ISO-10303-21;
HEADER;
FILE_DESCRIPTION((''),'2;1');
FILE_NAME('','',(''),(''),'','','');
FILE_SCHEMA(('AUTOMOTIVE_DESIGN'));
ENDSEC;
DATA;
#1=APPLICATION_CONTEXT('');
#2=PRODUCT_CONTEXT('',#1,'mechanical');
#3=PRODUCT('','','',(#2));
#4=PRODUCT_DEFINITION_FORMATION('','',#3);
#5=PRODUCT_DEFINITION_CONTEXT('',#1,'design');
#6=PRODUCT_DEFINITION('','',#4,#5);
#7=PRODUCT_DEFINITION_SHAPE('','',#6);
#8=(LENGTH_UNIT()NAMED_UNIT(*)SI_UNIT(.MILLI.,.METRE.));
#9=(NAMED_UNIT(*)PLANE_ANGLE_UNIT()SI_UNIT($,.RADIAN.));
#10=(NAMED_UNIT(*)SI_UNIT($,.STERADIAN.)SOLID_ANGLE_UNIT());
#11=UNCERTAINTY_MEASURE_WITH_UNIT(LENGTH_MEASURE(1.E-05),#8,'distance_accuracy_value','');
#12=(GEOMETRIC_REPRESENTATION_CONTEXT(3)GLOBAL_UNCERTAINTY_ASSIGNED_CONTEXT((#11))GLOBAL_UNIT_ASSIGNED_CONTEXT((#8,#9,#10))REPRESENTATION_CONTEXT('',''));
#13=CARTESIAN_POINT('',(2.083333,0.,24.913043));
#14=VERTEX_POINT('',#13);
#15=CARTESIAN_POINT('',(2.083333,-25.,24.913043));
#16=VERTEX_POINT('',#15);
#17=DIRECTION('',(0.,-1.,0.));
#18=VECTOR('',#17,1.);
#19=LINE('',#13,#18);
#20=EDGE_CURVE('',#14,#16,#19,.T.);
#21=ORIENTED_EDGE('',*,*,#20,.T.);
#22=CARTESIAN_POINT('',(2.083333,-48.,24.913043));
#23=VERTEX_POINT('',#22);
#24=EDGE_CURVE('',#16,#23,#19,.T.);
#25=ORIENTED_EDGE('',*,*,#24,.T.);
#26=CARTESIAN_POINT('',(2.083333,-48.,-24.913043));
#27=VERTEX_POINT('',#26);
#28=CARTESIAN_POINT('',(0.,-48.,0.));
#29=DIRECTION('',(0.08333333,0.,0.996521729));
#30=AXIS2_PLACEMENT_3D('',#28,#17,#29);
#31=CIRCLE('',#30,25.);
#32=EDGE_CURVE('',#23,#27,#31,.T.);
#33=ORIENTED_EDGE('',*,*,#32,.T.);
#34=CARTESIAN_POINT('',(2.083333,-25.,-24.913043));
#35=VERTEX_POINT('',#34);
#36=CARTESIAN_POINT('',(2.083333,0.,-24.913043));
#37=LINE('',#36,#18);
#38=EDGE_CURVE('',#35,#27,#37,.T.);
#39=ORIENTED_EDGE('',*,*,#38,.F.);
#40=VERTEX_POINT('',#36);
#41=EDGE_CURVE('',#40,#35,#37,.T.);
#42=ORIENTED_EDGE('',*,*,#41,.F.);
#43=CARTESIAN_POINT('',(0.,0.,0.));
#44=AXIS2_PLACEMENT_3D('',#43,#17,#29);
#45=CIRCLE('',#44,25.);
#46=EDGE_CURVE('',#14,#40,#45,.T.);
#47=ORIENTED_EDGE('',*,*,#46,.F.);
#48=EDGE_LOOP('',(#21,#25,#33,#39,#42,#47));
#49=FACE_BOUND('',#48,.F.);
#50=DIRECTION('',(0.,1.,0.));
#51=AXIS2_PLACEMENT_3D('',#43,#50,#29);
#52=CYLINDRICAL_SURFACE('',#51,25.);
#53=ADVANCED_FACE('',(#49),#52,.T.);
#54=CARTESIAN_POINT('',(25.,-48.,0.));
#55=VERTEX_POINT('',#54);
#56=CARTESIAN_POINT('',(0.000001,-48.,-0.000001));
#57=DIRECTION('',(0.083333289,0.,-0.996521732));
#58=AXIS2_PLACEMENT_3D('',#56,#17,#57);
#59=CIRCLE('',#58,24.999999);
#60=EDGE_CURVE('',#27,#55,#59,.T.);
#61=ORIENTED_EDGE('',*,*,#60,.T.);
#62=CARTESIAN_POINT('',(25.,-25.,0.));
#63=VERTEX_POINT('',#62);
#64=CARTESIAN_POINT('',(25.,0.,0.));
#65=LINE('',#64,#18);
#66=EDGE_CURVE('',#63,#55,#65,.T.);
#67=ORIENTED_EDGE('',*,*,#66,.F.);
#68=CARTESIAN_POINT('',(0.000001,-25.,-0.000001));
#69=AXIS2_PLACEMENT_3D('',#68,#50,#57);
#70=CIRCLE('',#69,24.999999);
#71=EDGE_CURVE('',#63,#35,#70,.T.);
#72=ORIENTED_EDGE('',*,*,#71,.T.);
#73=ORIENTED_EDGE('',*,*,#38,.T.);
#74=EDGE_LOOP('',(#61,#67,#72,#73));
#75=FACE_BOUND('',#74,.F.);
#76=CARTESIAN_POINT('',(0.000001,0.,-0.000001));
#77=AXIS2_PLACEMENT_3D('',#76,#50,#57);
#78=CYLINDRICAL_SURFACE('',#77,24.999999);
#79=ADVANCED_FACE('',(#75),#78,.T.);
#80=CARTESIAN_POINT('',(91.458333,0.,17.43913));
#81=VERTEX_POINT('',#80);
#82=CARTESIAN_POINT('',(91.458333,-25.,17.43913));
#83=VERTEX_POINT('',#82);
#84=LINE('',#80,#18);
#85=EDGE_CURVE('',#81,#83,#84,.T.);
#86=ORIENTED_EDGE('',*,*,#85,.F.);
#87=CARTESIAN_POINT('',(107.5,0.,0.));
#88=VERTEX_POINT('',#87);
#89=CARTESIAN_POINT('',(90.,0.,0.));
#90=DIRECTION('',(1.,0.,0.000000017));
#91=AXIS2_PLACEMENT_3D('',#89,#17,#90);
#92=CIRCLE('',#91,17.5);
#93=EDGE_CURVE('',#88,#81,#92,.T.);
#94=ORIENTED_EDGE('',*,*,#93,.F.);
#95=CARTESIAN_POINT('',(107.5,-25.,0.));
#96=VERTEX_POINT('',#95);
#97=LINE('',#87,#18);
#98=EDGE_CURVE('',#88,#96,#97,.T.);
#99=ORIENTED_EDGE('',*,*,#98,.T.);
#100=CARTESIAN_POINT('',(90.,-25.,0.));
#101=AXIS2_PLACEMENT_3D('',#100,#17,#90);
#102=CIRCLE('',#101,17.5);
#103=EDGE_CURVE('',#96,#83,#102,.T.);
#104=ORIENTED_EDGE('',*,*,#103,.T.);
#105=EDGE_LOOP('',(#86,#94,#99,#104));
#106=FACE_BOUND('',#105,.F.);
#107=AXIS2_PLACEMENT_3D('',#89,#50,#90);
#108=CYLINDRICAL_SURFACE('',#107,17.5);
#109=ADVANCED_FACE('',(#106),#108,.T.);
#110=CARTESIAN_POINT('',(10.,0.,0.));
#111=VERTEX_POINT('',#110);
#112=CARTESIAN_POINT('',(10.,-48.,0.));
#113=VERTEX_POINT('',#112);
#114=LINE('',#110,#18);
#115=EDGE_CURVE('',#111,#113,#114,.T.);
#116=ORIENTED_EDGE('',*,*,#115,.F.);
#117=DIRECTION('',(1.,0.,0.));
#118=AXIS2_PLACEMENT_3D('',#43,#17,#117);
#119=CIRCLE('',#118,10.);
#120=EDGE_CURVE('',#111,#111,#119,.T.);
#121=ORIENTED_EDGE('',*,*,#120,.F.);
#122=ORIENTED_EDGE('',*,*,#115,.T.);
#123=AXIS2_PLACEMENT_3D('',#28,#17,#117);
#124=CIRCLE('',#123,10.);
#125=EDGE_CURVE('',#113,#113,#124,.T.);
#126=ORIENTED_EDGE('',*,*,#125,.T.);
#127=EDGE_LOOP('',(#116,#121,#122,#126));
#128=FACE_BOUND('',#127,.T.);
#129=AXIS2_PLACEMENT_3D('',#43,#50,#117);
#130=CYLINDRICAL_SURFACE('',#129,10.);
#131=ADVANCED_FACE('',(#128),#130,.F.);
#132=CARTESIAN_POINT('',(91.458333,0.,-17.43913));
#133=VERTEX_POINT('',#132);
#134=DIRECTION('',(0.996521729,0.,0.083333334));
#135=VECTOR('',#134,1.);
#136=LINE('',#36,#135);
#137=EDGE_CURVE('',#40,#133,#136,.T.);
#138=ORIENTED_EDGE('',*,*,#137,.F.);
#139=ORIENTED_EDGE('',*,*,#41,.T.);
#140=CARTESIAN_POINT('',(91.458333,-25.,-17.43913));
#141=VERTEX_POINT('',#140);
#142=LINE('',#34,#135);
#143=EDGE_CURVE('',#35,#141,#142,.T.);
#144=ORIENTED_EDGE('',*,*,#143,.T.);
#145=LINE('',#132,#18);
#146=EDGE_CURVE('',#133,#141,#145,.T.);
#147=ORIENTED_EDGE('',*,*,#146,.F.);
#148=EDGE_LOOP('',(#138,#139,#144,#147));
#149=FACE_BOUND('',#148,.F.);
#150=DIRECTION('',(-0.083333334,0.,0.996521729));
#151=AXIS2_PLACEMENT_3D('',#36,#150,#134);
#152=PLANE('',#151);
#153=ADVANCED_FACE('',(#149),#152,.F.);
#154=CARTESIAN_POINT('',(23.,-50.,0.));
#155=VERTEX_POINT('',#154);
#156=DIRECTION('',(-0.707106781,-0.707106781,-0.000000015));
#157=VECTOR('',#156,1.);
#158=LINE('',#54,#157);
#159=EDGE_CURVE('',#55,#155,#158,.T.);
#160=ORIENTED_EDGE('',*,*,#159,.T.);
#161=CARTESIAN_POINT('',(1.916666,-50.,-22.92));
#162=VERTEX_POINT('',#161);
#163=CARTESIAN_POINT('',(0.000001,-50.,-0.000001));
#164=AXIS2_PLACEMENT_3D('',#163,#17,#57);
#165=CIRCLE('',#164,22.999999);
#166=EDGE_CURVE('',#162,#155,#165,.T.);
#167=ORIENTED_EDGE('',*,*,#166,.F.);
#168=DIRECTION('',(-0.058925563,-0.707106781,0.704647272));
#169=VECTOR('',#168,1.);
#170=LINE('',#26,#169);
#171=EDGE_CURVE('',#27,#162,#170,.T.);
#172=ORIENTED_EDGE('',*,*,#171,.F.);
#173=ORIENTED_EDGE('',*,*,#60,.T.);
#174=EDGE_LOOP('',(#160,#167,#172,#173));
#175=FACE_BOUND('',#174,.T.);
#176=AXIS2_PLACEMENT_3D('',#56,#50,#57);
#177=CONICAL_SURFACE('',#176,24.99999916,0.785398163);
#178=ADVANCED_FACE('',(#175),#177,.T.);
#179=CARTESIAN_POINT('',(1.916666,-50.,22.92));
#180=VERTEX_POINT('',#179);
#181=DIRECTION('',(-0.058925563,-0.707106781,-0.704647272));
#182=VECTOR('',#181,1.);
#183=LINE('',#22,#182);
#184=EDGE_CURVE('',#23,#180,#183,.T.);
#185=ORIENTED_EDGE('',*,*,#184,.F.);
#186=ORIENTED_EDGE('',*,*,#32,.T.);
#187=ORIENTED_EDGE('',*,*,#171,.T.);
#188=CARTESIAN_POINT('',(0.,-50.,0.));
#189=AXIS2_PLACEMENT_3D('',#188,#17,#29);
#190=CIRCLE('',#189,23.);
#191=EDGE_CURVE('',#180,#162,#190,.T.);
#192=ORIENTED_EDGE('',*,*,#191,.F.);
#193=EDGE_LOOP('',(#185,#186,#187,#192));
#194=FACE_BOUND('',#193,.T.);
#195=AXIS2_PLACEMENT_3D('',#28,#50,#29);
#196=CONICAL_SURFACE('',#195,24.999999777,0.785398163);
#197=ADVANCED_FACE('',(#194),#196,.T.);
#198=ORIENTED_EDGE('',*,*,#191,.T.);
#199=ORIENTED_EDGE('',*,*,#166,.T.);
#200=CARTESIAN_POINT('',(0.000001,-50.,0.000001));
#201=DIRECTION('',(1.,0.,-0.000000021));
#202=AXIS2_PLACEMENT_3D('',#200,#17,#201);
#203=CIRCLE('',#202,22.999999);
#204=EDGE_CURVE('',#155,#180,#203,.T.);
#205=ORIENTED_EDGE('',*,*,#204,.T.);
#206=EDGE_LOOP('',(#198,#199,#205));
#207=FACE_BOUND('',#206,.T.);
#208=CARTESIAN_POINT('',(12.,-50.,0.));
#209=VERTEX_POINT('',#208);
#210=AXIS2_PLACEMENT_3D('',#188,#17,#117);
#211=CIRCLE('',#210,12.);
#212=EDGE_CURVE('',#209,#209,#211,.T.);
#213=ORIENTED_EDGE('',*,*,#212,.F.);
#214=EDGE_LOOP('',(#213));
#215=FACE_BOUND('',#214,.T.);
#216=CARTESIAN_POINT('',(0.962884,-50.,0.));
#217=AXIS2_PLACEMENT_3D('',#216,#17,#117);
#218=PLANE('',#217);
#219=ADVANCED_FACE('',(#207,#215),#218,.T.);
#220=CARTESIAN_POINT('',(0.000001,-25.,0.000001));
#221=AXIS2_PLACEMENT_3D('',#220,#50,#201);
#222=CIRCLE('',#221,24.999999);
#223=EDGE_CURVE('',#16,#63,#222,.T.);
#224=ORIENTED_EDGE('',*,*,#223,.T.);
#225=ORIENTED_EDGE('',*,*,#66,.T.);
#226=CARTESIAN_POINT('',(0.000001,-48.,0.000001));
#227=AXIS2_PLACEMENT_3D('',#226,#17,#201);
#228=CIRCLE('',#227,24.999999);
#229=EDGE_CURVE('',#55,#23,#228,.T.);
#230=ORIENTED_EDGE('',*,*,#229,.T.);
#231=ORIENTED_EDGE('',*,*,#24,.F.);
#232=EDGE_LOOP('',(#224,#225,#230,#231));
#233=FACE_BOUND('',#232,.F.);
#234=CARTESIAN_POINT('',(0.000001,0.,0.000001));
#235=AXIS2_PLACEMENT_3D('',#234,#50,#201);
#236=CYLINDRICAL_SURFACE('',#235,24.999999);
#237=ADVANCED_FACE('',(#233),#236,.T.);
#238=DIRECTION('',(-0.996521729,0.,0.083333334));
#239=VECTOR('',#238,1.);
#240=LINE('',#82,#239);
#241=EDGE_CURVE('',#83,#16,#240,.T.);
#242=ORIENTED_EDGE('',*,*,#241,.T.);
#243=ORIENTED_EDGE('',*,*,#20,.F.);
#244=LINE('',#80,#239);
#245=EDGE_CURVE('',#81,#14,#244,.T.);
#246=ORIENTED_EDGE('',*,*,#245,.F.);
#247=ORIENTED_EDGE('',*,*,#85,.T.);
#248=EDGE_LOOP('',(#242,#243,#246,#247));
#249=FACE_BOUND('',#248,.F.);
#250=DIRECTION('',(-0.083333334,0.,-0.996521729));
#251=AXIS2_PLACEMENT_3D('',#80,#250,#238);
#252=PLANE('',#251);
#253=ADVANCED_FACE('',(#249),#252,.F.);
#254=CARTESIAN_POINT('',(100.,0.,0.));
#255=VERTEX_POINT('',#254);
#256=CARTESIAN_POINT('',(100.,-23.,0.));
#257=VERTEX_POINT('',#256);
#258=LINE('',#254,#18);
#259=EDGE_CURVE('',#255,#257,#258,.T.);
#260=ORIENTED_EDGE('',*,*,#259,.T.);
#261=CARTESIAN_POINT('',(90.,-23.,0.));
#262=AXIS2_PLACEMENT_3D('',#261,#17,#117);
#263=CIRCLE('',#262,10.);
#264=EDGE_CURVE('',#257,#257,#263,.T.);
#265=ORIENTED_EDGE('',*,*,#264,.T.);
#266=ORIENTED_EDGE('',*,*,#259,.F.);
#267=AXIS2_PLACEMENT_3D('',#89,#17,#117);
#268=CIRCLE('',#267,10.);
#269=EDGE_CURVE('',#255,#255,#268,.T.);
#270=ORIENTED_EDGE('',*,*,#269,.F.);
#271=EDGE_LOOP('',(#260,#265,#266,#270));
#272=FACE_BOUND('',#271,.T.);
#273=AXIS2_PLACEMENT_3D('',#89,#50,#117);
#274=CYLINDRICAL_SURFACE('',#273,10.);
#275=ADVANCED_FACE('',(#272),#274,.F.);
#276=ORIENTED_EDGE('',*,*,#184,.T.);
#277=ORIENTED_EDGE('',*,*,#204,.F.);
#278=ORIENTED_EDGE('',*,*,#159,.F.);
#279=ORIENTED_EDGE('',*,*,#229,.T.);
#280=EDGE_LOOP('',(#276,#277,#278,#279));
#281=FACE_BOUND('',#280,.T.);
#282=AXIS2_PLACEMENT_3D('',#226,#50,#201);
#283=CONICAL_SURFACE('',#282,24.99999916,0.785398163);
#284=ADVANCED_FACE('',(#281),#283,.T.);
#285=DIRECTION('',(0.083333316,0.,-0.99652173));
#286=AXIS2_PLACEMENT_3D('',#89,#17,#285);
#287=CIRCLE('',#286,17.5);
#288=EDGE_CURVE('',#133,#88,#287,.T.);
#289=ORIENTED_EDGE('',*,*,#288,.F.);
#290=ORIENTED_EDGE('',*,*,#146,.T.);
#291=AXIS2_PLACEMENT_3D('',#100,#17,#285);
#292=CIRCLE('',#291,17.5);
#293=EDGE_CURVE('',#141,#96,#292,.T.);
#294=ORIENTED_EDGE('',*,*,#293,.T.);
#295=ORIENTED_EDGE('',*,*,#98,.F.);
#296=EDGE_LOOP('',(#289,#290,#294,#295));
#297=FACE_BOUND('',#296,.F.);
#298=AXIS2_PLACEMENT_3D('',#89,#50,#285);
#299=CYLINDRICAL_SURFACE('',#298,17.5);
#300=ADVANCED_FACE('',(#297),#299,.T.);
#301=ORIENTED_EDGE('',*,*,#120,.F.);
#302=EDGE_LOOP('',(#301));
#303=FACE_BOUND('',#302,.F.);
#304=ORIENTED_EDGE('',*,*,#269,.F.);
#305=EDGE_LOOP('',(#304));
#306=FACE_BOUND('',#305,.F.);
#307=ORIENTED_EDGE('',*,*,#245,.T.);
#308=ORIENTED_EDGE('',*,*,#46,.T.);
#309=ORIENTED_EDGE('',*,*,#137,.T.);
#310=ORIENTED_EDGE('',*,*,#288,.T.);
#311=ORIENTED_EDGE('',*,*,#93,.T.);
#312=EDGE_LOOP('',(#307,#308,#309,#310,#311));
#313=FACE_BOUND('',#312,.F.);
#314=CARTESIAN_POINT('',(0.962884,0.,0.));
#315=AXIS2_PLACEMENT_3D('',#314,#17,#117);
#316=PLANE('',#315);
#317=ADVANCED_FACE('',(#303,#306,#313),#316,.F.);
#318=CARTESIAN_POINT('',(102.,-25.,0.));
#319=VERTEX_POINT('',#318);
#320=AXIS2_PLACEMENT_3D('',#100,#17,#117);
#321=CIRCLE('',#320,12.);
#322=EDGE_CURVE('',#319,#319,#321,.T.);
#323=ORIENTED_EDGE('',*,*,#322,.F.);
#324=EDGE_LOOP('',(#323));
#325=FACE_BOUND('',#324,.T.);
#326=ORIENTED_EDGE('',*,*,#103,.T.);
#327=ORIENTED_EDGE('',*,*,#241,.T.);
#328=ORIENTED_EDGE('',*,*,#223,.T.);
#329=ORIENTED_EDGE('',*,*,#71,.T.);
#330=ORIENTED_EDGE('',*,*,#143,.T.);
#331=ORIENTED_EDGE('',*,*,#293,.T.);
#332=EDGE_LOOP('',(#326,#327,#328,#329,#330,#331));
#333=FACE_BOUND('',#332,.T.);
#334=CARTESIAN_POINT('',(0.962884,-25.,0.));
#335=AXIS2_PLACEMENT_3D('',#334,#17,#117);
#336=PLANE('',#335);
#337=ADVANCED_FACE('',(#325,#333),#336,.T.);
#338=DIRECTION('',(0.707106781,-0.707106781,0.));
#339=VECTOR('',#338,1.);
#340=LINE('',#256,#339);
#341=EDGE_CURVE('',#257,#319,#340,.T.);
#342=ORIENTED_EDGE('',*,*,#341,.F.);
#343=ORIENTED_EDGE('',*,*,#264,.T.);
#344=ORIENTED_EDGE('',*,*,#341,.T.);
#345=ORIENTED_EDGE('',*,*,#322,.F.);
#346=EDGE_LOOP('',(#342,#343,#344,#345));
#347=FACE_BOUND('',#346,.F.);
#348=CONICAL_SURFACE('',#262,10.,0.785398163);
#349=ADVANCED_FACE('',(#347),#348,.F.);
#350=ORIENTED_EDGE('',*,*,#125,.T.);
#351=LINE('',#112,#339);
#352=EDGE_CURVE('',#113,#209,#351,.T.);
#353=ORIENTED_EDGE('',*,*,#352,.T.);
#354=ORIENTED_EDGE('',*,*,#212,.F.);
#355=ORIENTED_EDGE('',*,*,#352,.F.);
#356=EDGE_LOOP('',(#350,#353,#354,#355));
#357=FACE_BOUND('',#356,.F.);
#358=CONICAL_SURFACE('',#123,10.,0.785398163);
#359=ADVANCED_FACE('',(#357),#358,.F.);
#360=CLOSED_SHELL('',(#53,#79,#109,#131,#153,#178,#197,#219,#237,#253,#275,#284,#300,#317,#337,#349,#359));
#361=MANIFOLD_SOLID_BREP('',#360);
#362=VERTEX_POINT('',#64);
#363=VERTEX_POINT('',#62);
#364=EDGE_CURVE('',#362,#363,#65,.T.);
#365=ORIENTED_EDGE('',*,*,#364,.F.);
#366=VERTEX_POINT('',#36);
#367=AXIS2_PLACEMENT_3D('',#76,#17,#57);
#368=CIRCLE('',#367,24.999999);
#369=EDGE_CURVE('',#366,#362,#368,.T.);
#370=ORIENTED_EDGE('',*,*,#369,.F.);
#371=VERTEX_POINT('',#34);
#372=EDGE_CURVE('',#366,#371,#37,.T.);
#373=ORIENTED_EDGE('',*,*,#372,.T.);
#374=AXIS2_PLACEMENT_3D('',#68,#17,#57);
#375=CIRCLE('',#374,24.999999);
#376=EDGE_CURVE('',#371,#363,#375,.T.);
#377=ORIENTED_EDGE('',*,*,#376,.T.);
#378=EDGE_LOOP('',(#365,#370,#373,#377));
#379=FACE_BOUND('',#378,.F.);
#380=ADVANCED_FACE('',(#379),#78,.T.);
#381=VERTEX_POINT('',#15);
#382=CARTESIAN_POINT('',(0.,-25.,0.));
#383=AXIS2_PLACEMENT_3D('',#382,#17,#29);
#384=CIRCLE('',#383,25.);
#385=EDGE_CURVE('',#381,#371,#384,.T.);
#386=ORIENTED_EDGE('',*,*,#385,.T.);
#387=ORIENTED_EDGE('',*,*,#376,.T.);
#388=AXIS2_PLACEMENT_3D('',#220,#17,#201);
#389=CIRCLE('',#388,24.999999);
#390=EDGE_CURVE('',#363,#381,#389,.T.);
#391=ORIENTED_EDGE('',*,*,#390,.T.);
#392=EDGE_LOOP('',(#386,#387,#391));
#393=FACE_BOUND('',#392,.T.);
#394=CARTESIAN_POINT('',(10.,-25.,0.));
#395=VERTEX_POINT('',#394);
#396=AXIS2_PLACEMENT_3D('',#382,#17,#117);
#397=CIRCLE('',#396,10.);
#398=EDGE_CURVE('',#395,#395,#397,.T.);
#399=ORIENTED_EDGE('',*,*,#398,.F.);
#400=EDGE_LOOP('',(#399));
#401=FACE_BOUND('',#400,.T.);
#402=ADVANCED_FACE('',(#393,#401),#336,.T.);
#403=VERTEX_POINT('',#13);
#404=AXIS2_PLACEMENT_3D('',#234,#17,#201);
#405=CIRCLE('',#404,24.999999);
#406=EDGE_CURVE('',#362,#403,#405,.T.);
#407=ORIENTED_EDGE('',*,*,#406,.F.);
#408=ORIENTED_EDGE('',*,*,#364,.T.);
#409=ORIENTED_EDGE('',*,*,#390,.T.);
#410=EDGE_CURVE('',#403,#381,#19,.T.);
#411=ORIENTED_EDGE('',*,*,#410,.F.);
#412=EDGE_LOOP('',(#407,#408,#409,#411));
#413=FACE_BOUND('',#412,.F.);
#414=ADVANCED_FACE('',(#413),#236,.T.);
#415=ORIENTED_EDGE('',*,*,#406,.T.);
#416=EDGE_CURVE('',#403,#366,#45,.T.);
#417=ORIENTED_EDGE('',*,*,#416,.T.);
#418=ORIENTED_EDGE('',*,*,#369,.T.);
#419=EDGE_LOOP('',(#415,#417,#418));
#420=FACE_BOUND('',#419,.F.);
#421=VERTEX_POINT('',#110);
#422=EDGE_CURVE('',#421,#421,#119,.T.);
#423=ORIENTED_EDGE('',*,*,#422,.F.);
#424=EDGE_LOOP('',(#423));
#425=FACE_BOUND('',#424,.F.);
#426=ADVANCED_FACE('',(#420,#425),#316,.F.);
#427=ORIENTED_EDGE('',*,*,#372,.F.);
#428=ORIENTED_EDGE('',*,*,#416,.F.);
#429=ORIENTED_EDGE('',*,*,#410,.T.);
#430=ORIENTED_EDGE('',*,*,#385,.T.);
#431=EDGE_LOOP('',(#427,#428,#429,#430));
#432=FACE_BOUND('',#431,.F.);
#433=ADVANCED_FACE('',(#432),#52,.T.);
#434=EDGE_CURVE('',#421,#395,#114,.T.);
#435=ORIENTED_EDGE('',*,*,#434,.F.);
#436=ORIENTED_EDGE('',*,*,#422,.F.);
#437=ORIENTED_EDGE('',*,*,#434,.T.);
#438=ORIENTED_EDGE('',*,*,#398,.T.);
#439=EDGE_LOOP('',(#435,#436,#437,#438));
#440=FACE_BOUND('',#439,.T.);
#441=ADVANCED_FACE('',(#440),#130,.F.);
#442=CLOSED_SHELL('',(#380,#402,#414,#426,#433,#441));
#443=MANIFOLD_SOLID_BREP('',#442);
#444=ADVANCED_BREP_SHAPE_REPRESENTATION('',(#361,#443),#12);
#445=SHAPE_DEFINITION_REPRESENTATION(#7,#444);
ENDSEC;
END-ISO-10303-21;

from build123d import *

# Parameters (mm, degrees)
F0_R     = 10
F1_DEPTH = 25
F2_DEPTH = 50
F3_SIZE  = 2
F4_DEPTH = 25


with BuildPart() as f1:
    # F0 (on Front) → F1 (new body)
    with BuildSketch(Plane.XZ):
        with BuildLine():
            ThreePointArc((2.083333, -24.913043), (18.399502, -16.92508), (25, 0))
            ThreePointArc((25, 0), (18.399502, 16.92508), (2.083333, 24.913043))
            ThreePointArc((2.083333, 24.913043), (-25, 0), (2.083333, -24.913043))
        make_face()
        Circle(F0_R, mode=Mode.SUBTRACT)
        with BuildLine():
            ThreePointArc((2.083333, 24.913043), (18.399502, 16.92508), (25, 0))
            ThreePointArc((25, 0), (18.399502, -16.92508), (2.083333, -24.913043))
            Line((2.083333, -24.913043), (91.458333, -17.43913))
            ThreePointArc((91.458333, -17.43913), (72.5, 0), (91.458333, 17.43913))
            Line((91.458333, 17.43913), (2.083333, 24.913043))
        make_face()
        with BuildLine():
            ThreePointArc((107.5, 0), (102.879651, 11.847556), (91.458333, 17.43913))
            ThreePointArc((91.458333, 17.43913), (72.5, 0), (91.458333, -17.43913))
            ThreePointArc((91.458333, -17.43913), (102.879651, -11.847556), (107.5, 0))
        make_face()
        with Locations((90, 0)):
            Circle(F0_R, mode=Mode.SUBTRACT)
    extrude(amount=F1_DEPTH)

    # F0 (on Front) → F2 (join)
    with BuildSketch(Plane.XZ):
        with BuildLine():
            ThreePointArc((2.083333, -24.913043), (18.399502, -16.92508), (25, 0))
            ThreePointArc((25, 0), (18.399502, 16.92508), (2.083333, 24.913043))
            ThreePointArc((2.083333, 24.913043), (-25, 0), (2.083333, -24.913043))
        make_face()
        Circle(F0_R, mode=Mode.SUBTRACT)
    extrude(amount=F2_DEPTH)

    # F3
    f3_edges = [f1.edges().sort_by_distance(p)[0] for p in [
        (-2.083333, -50, 24.913043),
        (-10, -50, 0),
        (80, -25, 0),
    ]]
    chamfer(f3_edges, length=F3_SIZE)


with BuildPart() as f4:
    # F0 (on Front) → F4 (new body)
    with BuildSketch(Plane.XZ):
        with BuildLine():
            ThreePointArc((2.083333, -24.913043), (18.399502, -16.92508), (25, 0))
            ThreePointArc((25, 0), (18.399502, 16.92508), (2.083333, 24.913043))
            ThreePointArc((2.083333, 24.913043), (-25, 0), (2.083333, -24.913043))
        make_face()
        Circle(F0_R, mode=Mode.SUBTRACT)
    extrude(amount=F4_DEPTH)


solid = Compound([f1.part, f4.part])
